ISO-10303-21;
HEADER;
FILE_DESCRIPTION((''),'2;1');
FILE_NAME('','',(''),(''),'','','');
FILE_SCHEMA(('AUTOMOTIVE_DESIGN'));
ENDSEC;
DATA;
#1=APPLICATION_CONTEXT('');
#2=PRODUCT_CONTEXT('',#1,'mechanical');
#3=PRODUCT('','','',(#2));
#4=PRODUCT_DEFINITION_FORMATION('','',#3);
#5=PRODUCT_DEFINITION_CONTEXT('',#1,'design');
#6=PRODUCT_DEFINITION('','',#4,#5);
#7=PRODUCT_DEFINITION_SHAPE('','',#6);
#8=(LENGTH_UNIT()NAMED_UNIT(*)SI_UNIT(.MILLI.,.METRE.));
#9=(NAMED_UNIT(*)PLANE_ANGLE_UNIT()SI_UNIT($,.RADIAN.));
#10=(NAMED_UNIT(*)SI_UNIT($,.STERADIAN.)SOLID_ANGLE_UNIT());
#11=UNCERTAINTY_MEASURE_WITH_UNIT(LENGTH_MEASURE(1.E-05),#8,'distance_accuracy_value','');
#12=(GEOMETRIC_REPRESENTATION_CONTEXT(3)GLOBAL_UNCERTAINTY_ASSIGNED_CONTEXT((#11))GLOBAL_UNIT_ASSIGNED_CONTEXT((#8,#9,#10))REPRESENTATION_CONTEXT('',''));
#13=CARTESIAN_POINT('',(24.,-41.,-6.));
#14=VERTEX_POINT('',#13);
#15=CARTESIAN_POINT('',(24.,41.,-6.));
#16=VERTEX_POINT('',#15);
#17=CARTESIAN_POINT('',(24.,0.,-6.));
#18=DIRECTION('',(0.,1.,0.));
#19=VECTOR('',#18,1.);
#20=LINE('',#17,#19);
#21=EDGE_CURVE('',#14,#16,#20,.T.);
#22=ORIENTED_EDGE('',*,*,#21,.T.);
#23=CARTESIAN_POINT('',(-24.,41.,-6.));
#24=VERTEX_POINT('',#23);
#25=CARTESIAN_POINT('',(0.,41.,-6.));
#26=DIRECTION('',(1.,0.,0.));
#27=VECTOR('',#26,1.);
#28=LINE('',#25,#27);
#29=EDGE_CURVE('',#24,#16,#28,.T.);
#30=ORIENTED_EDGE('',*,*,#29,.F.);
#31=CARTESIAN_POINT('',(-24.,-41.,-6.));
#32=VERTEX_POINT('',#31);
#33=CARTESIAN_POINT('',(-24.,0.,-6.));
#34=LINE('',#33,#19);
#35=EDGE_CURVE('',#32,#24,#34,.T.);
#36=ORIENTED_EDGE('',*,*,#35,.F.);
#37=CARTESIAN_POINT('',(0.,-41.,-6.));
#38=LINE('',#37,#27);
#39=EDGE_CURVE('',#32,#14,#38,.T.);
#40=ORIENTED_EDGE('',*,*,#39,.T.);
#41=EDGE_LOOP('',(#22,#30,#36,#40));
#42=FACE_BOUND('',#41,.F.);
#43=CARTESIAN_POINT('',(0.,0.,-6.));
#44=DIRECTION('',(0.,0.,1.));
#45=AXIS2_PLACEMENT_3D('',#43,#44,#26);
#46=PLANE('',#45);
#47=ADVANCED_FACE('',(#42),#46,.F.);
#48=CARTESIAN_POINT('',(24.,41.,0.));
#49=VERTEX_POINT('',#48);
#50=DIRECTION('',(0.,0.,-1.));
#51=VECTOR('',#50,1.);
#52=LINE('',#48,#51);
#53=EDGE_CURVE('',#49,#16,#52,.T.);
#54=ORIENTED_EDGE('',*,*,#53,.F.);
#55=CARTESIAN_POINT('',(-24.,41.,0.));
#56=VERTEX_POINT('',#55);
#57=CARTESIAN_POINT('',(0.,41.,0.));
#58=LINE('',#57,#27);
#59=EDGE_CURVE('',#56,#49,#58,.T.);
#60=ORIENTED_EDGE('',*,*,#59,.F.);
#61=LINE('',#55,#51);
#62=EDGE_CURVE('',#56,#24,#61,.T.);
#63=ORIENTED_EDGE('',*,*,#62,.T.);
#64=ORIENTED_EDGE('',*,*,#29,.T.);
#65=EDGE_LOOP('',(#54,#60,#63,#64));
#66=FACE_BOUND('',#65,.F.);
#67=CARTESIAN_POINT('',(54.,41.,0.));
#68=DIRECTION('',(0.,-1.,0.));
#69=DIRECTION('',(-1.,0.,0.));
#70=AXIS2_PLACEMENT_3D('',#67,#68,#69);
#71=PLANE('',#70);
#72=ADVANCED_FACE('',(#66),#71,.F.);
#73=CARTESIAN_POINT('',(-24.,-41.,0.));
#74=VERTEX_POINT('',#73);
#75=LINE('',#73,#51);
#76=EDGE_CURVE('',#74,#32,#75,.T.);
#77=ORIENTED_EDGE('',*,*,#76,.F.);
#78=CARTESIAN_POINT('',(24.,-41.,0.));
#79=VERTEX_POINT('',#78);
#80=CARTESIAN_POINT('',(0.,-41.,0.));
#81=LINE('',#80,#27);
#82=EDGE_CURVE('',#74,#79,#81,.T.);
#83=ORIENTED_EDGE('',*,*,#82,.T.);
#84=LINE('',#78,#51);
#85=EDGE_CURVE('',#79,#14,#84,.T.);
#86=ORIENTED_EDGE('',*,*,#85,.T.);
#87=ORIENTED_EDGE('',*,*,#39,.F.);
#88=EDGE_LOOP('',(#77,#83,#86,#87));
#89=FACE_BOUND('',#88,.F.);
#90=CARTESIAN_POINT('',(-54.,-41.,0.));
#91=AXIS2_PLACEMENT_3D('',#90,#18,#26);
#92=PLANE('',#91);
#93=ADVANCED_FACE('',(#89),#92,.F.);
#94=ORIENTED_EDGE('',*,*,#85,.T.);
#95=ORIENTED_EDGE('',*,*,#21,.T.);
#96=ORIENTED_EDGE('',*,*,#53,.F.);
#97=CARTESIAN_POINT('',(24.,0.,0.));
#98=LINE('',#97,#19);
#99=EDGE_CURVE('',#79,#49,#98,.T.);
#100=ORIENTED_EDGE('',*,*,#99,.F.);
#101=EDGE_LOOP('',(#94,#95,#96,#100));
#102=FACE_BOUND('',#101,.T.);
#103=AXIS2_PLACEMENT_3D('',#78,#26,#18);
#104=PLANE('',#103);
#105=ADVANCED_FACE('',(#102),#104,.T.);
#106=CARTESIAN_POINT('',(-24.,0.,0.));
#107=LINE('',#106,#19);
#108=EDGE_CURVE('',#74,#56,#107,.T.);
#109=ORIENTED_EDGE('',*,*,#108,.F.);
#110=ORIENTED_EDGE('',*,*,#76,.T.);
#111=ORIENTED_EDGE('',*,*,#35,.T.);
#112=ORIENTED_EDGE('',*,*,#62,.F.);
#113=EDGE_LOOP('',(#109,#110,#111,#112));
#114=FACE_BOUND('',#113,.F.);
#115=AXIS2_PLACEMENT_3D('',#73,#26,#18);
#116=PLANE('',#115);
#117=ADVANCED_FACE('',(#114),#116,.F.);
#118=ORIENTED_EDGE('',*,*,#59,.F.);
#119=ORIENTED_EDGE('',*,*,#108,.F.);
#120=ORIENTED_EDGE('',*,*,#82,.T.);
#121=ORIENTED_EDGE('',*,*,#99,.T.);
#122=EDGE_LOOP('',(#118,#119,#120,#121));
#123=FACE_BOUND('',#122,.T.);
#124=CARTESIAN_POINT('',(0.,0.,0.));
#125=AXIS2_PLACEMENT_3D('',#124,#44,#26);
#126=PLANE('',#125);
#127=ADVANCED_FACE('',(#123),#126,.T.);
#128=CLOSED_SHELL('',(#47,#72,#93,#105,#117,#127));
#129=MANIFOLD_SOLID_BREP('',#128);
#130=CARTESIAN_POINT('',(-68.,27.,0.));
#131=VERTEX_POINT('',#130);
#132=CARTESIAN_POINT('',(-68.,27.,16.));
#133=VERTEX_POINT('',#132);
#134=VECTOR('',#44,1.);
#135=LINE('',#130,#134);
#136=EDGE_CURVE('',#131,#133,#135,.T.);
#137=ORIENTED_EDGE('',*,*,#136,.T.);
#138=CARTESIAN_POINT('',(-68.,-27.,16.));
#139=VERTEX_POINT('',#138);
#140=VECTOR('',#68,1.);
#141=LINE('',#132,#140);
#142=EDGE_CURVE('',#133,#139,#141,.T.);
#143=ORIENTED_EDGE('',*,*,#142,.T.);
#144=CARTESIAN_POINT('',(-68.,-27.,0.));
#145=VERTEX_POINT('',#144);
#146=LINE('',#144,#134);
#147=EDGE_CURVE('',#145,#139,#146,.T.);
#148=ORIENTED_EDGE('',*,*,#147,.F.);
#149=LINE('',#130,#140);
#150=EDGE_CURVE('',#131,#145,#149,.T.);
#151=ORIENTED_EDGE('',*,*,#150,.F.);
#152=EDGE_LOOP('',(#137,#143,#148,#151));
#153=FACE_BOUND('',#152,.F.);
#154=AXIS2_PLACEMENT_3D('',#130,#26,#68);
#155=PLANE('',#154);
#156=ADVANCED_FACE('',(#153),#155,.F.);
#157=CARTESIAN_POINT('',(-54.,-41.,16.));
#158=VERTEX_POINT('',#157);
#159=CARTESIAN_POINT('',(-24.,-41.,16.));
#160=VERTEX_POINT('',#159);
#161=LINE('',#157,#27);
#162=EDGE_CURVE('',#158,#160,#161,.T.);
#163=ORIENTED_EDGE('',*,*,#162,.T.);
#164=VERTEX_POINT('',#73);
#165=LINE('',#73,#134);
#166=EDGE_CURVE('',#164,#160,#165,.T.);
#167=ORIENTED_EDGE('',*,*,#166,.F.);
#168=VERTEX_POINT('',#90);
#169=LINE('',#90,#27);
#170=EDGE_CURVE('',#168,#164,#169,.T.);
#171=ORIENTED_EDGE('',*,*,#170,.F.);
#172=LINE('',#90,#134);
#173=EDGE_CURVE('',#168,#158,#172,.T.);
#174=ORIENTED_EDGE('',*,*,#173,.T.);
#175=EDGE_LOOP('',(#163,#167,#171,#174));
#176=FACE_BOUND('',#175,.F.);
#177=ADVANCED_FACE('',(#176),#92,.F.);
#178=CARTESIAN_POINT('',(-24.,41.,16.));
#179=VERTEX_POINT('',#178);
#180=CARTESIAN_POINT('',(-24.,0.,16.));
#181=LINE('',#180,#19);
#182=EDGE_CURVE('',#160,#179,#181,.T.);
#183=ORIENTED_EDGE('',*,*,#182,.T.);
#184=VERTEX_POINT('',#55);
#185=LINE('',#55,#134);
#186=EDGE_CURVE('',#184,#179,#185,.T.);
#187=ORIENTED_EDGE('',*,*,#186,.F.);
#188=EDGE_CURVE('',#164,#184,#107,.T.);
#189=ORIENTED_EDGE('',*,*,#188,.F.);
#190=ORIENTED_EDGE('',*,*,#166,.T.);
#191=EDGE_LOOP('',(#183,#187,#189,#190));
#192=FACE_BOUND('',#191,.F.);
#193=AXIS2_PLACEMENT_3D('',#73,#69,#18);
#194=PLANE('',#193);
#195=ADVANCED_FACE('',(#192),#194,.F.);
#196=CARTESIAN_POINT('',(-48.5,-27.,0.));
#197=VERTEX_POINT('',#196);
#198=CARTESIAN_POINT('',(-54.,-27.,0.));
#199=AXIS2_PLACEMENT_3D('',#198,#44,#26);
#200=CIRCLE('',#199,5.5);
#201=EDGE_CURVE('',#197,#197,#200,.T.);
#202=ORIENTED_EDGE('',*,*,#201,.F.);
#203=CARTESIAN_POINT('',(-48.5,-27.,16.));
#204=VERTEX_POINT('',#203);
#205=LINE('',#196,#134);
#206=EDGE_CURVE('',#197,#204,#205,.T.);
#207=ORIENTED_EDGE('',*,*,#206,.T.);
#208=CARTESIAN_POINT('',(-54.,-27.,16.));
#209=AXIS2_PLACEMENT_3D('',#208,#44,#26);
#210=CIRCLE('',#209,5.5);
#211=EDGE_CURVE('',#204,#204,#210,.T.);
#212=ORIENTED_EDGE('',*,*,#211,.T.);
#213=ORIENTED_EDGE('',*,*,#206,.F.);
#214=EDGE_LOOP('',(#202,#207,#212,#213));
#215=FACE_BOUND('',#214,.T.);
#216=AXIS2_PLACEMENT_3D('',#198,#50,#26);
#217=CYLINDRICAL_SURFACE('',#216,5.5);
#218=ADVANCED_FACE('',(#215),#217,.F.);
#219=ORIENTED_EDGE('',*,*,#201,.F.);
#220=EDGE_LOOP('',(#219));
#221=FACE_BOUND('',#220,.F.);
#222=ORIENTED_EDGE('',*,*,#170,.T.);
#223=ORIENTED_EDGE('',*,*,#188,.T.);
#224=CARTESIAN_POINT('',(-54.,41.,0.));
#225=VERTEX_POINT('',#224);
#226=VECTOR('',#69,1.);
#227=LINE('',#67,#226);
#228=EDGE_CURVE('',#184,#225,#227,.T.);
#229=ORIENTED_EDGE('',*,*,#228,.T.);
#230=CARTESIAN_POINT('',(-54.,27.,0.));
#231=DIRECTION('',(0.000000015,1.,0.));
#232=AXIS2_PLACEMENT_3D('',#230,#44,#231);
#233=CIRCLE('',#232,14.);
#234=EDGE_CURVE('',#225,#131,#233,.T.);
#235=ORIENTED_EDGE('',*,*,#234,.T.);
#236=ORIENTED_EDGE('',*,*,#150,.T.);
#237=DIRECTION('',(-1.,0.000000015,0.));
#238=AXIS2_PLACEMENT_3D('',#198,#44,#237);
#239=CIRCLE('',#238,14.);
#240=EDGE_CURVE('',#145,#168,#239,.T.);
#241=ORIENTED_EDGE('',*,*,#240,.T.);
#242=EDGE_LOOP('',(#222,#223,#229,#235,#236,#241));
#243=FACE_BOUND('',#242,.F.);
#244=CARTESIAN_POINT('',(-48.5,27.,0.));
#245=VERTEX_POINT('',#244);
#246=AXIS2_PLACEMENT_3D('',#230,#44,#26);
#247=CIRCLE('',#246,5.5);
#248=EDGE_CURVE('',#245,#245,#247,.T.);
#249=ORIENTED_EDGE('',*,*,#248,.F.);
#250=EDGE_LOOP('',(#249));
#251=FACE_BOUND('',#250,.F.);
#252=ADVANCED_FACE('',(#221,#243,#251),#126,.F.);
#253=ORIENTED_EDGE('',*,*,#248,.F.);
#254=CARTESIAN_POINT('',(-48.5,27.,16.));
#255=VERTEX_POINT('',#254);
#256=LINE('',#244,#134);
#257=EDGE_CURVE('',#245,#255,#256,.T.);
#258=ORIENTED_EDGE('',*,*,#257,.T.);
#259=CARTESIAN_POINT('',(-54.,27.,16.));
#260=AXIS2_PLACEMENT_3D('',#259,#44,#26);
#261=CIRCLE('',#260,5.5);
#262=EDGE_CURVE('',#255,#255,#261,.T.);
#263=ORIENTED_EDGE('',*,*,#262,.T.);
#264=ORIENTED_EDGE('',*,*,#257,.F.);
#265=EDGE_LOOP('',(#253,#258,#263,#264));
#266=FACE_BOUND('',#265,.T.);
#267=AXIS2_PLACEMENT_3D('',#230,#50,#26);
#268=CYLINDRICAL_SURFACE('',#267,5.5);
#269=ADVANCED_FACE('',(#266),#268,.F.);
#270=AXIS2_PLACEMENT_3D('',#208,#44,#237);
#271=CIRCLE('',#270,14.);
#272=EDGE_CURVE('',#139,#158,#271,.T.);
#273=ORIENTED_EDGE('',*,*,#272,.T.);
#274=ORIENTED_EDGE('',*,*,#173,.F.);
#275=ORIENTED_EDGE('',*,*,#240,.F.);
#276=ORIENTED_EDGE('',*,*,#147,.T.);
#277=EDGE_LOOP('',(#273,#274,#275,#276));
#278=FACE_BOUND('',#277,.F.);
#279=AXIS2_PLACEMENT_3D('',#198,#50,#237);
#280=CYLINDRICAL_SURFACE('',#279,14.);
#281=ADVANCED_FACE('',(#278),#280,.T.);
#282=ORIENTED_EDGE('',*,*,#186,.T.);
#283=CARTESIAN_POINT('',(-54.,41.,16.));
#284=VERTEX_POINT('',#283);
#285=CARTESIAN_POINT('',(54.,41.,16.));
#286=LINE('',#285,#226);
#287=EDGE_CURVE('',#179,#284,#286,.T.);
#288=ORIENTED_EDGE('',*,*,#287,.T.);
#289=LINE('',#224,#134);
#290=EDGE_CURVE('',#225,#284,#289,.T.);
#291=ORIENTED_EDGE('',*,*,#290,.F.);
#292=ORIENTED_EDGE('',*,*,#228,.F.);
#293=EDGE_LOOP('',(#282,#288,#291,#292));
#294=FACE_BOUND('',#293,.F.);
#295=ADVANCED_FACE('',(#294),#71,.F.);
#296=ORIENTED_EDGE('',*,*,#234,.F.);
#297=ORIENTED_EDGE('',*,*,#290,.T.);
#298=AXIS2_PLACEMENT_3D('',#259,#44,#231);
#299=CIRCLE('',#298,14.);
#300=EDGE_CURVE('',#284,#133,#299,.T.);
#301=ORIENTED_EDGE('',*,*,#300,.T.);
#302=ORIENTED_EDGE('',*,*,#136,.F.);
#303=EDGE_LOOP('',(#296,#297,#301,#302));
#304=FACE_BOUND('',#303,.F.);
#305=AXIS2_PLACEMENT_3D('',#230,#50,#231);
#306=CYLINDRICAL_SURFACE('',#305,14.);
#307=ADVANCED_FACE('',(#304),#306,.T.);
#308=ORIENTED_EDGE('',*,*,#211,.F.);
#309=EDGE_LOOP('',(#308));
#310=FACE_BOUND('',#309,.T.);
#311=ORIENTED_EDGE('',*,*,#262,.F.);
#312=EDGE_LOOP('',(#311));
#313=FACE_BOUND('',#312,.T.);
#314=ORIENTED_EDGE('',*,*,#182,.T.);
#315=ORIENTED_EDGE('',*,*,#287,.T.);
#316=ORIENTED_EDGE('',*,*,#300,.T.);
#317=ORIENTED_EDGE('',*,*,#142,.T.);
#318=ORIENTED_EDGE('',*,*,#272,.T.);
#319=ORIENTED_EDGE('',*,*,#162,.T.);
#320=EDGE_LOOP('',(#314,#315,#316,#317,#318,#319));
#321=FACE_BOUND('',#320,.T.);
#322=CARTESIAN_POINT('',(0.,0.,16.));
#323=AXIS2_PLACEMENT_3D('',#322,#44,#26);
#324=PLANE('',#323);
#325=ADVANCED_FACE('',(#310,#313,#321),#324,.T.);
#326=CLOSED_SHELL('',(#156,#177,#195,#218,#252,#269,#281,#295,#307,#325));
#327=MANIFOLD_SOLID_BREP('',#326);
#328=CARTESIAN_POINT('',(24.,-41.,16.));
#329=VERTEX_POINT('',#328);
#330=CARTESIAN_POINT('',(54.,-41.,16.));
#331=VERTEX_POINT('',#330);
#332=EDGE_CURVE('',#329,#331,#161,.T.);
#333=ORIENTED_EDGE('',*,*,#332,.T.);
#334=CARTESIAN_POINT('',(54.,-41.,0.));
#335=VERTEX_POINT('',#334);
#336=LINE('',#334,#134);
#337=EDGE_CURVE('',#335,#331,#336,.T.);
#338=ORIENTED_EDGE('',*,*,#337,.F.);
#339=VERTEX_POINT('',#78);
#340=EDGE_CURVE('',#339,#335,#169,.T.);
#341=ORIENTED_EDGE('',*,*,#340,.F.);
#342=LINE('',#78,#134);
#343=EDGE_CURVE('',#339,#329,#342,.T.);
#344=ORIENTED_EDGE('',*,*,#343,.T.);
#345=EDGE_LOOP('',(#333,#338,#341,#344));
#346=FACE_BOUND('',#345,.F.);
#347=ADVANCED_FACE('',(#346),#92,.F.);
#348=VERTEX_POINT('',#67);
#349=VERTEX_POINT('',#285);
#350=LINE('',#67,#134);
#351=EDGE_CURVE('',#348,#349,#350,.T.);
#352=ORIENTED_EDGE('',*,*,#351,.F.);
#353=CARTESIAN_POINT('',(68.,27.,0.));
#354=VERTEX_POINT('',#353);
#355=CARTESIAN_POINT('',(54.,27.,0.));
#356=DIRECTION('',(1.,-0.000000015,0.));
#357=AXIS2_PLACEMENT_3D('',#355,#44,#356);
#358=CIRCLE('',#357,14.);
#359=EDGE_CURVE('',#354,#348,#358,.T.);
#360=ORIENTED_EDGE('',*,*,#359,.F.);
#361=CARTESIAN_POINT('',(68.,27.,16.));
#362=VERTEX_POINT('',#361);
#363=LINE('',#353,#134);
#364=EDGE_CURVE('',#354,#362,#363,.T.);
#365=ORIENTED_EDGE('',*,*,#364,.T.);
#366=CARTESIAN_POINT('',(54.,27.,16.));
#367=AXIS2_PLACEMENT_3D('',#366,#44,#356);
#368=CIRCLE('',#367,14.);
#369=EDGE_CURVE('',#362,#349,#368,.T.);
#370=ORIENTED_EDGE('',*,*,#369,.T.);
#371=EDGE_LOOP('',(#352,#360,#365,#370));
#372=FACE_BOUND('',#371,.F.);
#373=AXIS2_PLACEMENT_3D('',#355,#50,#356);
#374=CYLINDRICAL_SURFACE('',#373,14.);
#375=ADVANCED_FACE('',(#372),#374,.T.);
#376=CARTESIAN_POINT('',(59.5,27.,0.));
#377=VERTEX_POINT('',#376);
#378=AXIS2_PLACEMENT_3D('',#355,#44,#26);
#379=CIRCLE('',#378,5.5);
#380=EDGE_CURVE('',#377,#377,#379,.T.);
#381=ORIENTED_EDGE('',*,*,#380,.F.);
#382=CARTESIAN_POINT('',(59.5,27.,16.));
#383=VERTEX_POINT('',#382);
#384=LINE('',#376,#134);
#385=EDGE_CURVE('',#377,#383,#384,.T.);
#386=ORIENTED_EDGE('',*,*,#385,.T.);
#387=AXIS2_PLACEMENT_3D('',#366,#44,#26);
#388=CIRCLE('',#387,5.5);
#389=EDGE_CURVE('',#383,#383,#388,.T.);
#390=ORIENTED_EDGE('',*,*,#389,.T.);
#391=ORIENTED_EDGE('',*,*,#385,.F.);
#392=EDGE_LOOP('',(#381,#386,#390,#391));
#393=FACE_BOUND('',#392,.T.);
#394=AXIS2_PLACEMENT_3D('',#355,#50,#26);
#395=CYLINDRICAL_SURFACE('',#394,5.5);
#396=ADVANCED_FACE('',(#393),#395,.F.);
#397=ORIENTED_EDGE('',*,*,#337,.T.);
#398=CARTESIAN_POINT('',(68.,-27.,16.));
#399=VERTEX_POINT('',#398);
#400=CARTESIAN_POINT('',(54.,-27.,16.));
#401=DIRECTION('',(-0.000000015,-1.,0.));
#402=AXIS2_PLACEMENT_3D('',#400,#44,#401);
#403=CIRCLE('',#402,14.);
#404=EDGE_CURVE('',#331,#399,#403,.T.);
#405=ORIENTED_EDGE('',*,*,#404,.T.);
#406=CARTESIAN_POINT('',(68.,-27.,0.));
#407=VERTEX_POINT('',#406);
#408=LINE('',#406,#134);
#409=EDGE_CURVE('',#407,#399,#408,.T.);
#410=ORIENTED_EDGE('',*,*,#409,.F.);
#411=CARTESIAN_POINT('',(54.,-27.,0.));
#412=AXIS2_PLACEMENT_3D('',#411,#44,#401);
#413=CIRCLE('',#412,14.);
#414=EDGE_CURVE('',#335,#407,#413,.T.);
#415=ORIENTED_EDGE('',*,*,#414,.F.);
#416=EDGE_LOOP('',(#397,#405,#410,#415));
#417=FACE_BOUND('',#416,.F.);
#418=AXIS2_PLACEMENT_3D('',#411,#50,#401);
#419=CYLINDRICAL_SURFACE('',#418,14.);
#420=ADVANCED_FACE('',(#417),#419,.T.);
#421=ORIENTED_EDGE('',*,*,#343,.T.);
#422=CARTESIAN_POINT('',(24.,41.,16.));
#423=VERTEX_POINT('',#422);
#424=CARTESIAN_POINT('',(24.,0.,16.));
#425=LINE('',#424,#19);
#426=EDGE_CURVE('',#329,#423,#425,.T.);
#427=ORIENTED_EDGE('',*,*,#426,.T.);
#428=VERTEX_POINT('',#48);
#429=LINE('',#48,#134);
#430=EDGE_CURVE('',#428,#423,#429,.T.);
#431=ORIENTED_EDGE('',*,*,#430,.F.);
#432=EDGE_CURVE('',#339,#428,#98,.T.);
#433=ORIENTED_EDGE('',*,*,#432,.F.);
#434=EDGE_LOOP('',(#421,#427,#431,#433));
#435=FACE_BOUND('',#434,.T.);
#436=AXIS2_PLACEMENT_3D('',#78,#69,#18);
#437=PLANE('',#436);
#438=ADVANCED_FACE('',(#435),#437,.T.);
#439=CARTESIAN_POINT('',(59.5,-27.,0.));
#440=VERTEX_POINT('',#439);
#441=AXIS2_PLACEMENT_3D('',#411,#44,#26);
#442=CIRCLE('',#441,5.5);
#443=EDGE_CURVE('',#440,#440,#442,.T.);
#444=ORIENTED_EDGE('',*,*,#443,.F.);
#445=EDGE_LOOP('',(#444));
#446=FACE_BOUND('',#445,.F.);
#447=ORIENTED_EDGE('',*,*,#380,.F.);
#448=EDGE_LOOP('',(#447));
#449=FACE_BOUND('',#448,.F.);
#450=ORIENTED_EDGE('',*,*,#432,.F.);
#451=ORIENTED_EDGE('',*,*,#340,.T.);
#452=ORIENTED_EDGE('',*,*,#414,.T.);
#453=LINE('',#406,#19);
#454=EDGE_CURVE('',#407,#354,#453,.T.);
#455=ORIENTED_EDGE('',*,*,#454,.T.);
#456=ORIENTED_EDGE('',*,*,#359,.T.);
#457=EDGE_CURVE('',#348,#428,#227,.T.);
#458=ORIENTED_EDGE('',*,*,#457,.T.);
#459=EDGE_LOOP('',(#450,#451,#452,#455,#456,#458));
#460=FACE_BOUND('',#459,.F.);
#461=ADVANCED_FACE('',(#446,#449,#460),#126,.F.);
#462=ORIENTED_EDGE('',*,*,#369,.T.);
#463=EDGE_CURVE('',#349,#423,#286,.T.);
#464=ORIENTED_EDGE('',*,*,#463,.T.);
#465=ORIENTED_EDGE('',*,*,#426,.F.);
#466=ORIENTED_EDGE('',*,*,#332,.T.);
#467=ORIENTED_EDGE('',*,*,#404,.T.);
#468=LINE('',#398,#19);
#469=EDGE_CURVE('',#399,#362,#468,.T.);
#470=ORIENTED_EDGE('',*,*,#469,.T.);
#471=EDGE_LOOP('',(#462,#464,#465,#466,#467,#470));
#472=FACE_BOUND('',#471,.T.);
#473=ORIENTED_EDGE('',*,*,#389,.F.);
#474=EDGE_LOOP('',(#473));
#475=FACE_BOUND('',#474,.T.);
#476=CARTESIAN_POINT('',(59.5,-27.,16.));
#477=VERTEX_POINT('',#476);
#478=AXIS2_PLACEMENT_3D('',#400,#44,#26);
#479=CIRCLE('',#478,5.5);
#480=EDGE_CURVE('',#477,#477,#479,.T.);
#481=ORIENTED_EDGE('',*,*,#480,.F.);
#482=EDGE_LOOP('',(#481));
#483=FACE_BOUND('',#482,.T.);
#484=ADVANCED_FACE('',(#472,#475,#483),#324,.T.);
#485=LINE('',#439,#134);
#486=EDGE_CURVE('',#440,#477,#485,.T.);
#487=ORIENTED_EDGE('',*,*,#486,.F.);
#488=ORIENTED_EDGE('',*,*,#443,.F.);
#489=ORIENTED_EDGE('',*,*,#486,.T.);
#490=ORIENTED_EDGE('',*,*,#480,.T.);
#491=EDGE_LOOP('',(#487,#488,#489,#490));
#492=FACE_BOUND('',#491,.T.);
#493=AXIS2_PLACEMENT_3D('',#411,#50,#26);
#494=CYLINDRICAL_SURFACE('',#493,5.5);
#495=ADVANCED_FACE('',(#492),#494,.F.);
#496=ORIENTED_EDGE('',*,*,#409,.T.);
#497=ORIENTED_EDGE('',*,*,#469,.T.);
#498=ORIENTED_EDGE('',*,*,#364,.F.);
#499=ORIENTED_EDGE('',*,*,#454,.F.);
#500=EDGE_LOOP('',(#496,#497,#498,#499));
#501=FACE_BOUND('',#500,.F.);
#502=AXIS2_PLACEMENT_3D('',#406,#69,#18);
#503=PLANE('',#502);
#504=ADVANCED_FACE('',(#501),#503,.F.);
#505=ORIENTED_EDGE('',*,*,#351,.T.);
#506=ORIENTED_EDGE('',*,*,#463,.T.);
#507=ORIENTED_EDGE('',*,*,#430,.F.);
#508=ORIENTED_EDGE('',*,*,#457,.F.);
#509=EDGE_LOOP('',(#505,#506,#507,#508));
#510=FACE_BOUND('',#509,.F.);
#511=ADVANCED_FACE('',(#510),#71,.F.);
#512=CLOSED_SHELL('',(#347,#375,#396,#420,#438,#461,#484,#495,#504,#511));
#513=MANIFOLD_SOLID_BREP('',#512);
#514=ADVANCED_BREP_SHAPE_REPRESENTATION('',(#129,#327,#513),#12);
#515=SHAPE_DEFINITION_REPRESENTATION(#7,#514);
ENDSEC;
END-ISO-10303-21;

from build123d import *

# Parameters (mm, degrees)
F0_R     = 5.5
F1_DEPTH = 16
F2_W     = 48
F2_H     = 82
F3_DEPTH = 6
F4_W     = 48
F4_H     = 82
F5_DEPTH = 16


with BuildPart() as f1:
    # F0 (on Top) → F1 (new body)
    with BuildSketch(Plane.XY):
        with BuildLine():
            Line((-54, -41), (54, -41))
            ThreePointArc((54, -41), (63.899495, -36.899495), (68, -27))
            Line((68, -27), (68, 27))
            ThreePointArc((68, 27), (63.899495, 36.899495), (54, 41))
            Line((54, 41), (-54, 41))
            ThreePointArc((-54, 41), (-63.899495, 36.899495), (-68, 27))
            Line((-68, 27), (-68, -27))
            ThreePointArc((-68, -27), (-63.899495, -36.899495), (-54, -41))
        make_face()
        with Locations((-54, -27)):
            Circle(F0_R, mode=Mode.SUBTRACT)
        with Locations((54, -27)):
            Circle(F0_R, mode=Mode.SUBTRACT)
        with Locations((-54, 27)):
            Circle(F0_R, mode=Mode.SUBTRACT)
        with Locations((54, 27)):
            Circle(F0_R, mode=Mode.SUBTRACT)
    extrude(amount=F1_DEPTH)

    # F2 (on Top) → F3 (join)
    with BuildSketch(Plane.XY):
        Rectangle(F2_W, F2_H)
    extrude(amount=-F3_DEPTH)

    # F4 (on Top) → F5 (cut, through all)
    with BuildSketch(Plane.XY):
        Rectangle(F4_W, F4_H)
    extrude(amount=F5_DEPTH, mode=Mode.SUBTRACT)


solid = f1.part
